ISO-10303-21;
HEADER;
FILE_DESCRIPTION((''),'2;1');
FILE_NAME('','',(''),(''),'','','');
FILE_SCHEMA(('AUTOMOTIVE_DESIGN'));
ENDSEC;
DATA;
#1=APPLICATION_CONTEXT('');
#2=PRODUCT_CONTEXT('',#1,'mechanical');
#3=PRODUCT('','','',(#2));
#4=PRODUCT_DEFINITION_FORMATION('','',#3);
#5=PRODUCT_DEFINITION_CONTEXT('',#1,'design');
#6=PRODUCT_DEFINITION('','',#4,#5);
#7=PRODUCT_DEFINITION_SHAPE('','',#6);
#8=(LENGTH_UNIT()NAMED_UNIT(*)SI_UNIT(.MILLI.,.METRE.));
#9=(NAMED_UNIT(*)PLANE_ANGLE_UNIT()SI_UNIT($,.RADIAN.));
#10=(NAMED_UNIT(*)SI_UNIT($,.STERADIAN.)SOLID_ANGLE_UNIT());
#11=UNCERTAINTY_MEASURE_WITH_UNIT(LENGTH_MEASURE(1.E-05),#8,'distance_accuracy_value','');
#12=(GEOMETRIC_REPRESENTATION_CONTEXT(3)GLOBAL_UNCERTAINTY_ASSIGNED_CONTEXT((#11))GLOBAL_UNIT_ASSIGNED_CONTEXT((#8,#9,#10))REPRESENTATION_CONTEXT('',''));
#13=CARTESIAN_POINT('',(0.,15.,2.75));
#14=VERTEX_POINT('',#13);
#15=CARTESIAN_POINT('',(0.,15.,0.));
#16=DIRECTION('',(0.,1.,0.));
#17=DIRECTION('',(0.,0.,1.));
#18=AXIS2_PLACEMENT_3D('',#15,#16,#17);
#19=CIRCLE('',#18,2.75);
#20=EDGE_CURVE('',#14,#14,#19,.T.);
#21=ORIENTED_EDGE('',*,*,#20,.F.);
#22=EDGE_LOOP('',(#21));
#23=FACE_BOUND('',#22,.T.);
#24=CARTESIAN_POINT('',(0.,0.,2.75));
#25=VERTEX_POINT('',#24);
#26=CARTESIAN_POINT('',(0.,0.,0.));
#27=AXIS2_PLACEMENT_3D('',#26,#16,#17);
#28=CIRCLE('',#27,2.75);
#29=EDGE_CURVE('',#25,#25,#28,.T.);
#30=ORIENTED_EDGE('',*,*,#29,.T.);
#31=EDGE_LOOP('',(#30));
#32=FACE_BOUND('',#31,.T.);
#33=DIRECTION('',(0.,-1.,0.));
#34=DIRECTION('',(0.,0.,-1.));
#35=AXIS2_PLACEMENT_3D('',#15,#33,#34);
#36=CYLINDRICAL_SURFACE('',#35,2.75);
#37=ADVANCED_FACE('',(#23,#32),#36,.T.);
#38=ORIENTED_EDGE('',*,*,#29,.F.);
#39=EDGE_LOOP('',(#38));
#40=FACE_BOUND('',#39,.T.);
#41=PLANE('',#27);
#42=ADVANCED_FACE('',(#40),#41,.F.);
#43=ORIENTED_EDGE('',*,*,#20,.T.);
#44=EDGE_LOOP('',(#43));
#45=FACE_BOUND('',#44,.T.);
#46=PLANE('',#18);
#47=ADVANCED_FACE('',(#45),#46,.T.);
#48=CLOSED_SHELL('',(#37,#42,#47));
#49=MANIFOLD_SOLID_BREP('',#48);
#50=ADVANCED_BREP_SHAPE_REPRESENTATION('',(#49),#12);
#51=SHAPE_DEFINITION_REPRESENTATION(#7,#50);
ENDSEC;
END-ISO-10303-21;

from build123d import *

# Parameters (mm, degrees)
SKETCH1_R           = 2.75
BOSS_EXTRUDE1_DEPTH = 15


with BuildPart() as part:
    # Sketch1 → Boss-Extrude1 (new body)
    with BuildSketch(Plane(origin=(0, 0, 0), x_dir=(1, 0, 0), z_dir=(0, 1, 0))):
        Circle(SKETCH1_R)
    extrude(amount=BOSS_EXTRUDE1_DEPTH)


solid = part.part
